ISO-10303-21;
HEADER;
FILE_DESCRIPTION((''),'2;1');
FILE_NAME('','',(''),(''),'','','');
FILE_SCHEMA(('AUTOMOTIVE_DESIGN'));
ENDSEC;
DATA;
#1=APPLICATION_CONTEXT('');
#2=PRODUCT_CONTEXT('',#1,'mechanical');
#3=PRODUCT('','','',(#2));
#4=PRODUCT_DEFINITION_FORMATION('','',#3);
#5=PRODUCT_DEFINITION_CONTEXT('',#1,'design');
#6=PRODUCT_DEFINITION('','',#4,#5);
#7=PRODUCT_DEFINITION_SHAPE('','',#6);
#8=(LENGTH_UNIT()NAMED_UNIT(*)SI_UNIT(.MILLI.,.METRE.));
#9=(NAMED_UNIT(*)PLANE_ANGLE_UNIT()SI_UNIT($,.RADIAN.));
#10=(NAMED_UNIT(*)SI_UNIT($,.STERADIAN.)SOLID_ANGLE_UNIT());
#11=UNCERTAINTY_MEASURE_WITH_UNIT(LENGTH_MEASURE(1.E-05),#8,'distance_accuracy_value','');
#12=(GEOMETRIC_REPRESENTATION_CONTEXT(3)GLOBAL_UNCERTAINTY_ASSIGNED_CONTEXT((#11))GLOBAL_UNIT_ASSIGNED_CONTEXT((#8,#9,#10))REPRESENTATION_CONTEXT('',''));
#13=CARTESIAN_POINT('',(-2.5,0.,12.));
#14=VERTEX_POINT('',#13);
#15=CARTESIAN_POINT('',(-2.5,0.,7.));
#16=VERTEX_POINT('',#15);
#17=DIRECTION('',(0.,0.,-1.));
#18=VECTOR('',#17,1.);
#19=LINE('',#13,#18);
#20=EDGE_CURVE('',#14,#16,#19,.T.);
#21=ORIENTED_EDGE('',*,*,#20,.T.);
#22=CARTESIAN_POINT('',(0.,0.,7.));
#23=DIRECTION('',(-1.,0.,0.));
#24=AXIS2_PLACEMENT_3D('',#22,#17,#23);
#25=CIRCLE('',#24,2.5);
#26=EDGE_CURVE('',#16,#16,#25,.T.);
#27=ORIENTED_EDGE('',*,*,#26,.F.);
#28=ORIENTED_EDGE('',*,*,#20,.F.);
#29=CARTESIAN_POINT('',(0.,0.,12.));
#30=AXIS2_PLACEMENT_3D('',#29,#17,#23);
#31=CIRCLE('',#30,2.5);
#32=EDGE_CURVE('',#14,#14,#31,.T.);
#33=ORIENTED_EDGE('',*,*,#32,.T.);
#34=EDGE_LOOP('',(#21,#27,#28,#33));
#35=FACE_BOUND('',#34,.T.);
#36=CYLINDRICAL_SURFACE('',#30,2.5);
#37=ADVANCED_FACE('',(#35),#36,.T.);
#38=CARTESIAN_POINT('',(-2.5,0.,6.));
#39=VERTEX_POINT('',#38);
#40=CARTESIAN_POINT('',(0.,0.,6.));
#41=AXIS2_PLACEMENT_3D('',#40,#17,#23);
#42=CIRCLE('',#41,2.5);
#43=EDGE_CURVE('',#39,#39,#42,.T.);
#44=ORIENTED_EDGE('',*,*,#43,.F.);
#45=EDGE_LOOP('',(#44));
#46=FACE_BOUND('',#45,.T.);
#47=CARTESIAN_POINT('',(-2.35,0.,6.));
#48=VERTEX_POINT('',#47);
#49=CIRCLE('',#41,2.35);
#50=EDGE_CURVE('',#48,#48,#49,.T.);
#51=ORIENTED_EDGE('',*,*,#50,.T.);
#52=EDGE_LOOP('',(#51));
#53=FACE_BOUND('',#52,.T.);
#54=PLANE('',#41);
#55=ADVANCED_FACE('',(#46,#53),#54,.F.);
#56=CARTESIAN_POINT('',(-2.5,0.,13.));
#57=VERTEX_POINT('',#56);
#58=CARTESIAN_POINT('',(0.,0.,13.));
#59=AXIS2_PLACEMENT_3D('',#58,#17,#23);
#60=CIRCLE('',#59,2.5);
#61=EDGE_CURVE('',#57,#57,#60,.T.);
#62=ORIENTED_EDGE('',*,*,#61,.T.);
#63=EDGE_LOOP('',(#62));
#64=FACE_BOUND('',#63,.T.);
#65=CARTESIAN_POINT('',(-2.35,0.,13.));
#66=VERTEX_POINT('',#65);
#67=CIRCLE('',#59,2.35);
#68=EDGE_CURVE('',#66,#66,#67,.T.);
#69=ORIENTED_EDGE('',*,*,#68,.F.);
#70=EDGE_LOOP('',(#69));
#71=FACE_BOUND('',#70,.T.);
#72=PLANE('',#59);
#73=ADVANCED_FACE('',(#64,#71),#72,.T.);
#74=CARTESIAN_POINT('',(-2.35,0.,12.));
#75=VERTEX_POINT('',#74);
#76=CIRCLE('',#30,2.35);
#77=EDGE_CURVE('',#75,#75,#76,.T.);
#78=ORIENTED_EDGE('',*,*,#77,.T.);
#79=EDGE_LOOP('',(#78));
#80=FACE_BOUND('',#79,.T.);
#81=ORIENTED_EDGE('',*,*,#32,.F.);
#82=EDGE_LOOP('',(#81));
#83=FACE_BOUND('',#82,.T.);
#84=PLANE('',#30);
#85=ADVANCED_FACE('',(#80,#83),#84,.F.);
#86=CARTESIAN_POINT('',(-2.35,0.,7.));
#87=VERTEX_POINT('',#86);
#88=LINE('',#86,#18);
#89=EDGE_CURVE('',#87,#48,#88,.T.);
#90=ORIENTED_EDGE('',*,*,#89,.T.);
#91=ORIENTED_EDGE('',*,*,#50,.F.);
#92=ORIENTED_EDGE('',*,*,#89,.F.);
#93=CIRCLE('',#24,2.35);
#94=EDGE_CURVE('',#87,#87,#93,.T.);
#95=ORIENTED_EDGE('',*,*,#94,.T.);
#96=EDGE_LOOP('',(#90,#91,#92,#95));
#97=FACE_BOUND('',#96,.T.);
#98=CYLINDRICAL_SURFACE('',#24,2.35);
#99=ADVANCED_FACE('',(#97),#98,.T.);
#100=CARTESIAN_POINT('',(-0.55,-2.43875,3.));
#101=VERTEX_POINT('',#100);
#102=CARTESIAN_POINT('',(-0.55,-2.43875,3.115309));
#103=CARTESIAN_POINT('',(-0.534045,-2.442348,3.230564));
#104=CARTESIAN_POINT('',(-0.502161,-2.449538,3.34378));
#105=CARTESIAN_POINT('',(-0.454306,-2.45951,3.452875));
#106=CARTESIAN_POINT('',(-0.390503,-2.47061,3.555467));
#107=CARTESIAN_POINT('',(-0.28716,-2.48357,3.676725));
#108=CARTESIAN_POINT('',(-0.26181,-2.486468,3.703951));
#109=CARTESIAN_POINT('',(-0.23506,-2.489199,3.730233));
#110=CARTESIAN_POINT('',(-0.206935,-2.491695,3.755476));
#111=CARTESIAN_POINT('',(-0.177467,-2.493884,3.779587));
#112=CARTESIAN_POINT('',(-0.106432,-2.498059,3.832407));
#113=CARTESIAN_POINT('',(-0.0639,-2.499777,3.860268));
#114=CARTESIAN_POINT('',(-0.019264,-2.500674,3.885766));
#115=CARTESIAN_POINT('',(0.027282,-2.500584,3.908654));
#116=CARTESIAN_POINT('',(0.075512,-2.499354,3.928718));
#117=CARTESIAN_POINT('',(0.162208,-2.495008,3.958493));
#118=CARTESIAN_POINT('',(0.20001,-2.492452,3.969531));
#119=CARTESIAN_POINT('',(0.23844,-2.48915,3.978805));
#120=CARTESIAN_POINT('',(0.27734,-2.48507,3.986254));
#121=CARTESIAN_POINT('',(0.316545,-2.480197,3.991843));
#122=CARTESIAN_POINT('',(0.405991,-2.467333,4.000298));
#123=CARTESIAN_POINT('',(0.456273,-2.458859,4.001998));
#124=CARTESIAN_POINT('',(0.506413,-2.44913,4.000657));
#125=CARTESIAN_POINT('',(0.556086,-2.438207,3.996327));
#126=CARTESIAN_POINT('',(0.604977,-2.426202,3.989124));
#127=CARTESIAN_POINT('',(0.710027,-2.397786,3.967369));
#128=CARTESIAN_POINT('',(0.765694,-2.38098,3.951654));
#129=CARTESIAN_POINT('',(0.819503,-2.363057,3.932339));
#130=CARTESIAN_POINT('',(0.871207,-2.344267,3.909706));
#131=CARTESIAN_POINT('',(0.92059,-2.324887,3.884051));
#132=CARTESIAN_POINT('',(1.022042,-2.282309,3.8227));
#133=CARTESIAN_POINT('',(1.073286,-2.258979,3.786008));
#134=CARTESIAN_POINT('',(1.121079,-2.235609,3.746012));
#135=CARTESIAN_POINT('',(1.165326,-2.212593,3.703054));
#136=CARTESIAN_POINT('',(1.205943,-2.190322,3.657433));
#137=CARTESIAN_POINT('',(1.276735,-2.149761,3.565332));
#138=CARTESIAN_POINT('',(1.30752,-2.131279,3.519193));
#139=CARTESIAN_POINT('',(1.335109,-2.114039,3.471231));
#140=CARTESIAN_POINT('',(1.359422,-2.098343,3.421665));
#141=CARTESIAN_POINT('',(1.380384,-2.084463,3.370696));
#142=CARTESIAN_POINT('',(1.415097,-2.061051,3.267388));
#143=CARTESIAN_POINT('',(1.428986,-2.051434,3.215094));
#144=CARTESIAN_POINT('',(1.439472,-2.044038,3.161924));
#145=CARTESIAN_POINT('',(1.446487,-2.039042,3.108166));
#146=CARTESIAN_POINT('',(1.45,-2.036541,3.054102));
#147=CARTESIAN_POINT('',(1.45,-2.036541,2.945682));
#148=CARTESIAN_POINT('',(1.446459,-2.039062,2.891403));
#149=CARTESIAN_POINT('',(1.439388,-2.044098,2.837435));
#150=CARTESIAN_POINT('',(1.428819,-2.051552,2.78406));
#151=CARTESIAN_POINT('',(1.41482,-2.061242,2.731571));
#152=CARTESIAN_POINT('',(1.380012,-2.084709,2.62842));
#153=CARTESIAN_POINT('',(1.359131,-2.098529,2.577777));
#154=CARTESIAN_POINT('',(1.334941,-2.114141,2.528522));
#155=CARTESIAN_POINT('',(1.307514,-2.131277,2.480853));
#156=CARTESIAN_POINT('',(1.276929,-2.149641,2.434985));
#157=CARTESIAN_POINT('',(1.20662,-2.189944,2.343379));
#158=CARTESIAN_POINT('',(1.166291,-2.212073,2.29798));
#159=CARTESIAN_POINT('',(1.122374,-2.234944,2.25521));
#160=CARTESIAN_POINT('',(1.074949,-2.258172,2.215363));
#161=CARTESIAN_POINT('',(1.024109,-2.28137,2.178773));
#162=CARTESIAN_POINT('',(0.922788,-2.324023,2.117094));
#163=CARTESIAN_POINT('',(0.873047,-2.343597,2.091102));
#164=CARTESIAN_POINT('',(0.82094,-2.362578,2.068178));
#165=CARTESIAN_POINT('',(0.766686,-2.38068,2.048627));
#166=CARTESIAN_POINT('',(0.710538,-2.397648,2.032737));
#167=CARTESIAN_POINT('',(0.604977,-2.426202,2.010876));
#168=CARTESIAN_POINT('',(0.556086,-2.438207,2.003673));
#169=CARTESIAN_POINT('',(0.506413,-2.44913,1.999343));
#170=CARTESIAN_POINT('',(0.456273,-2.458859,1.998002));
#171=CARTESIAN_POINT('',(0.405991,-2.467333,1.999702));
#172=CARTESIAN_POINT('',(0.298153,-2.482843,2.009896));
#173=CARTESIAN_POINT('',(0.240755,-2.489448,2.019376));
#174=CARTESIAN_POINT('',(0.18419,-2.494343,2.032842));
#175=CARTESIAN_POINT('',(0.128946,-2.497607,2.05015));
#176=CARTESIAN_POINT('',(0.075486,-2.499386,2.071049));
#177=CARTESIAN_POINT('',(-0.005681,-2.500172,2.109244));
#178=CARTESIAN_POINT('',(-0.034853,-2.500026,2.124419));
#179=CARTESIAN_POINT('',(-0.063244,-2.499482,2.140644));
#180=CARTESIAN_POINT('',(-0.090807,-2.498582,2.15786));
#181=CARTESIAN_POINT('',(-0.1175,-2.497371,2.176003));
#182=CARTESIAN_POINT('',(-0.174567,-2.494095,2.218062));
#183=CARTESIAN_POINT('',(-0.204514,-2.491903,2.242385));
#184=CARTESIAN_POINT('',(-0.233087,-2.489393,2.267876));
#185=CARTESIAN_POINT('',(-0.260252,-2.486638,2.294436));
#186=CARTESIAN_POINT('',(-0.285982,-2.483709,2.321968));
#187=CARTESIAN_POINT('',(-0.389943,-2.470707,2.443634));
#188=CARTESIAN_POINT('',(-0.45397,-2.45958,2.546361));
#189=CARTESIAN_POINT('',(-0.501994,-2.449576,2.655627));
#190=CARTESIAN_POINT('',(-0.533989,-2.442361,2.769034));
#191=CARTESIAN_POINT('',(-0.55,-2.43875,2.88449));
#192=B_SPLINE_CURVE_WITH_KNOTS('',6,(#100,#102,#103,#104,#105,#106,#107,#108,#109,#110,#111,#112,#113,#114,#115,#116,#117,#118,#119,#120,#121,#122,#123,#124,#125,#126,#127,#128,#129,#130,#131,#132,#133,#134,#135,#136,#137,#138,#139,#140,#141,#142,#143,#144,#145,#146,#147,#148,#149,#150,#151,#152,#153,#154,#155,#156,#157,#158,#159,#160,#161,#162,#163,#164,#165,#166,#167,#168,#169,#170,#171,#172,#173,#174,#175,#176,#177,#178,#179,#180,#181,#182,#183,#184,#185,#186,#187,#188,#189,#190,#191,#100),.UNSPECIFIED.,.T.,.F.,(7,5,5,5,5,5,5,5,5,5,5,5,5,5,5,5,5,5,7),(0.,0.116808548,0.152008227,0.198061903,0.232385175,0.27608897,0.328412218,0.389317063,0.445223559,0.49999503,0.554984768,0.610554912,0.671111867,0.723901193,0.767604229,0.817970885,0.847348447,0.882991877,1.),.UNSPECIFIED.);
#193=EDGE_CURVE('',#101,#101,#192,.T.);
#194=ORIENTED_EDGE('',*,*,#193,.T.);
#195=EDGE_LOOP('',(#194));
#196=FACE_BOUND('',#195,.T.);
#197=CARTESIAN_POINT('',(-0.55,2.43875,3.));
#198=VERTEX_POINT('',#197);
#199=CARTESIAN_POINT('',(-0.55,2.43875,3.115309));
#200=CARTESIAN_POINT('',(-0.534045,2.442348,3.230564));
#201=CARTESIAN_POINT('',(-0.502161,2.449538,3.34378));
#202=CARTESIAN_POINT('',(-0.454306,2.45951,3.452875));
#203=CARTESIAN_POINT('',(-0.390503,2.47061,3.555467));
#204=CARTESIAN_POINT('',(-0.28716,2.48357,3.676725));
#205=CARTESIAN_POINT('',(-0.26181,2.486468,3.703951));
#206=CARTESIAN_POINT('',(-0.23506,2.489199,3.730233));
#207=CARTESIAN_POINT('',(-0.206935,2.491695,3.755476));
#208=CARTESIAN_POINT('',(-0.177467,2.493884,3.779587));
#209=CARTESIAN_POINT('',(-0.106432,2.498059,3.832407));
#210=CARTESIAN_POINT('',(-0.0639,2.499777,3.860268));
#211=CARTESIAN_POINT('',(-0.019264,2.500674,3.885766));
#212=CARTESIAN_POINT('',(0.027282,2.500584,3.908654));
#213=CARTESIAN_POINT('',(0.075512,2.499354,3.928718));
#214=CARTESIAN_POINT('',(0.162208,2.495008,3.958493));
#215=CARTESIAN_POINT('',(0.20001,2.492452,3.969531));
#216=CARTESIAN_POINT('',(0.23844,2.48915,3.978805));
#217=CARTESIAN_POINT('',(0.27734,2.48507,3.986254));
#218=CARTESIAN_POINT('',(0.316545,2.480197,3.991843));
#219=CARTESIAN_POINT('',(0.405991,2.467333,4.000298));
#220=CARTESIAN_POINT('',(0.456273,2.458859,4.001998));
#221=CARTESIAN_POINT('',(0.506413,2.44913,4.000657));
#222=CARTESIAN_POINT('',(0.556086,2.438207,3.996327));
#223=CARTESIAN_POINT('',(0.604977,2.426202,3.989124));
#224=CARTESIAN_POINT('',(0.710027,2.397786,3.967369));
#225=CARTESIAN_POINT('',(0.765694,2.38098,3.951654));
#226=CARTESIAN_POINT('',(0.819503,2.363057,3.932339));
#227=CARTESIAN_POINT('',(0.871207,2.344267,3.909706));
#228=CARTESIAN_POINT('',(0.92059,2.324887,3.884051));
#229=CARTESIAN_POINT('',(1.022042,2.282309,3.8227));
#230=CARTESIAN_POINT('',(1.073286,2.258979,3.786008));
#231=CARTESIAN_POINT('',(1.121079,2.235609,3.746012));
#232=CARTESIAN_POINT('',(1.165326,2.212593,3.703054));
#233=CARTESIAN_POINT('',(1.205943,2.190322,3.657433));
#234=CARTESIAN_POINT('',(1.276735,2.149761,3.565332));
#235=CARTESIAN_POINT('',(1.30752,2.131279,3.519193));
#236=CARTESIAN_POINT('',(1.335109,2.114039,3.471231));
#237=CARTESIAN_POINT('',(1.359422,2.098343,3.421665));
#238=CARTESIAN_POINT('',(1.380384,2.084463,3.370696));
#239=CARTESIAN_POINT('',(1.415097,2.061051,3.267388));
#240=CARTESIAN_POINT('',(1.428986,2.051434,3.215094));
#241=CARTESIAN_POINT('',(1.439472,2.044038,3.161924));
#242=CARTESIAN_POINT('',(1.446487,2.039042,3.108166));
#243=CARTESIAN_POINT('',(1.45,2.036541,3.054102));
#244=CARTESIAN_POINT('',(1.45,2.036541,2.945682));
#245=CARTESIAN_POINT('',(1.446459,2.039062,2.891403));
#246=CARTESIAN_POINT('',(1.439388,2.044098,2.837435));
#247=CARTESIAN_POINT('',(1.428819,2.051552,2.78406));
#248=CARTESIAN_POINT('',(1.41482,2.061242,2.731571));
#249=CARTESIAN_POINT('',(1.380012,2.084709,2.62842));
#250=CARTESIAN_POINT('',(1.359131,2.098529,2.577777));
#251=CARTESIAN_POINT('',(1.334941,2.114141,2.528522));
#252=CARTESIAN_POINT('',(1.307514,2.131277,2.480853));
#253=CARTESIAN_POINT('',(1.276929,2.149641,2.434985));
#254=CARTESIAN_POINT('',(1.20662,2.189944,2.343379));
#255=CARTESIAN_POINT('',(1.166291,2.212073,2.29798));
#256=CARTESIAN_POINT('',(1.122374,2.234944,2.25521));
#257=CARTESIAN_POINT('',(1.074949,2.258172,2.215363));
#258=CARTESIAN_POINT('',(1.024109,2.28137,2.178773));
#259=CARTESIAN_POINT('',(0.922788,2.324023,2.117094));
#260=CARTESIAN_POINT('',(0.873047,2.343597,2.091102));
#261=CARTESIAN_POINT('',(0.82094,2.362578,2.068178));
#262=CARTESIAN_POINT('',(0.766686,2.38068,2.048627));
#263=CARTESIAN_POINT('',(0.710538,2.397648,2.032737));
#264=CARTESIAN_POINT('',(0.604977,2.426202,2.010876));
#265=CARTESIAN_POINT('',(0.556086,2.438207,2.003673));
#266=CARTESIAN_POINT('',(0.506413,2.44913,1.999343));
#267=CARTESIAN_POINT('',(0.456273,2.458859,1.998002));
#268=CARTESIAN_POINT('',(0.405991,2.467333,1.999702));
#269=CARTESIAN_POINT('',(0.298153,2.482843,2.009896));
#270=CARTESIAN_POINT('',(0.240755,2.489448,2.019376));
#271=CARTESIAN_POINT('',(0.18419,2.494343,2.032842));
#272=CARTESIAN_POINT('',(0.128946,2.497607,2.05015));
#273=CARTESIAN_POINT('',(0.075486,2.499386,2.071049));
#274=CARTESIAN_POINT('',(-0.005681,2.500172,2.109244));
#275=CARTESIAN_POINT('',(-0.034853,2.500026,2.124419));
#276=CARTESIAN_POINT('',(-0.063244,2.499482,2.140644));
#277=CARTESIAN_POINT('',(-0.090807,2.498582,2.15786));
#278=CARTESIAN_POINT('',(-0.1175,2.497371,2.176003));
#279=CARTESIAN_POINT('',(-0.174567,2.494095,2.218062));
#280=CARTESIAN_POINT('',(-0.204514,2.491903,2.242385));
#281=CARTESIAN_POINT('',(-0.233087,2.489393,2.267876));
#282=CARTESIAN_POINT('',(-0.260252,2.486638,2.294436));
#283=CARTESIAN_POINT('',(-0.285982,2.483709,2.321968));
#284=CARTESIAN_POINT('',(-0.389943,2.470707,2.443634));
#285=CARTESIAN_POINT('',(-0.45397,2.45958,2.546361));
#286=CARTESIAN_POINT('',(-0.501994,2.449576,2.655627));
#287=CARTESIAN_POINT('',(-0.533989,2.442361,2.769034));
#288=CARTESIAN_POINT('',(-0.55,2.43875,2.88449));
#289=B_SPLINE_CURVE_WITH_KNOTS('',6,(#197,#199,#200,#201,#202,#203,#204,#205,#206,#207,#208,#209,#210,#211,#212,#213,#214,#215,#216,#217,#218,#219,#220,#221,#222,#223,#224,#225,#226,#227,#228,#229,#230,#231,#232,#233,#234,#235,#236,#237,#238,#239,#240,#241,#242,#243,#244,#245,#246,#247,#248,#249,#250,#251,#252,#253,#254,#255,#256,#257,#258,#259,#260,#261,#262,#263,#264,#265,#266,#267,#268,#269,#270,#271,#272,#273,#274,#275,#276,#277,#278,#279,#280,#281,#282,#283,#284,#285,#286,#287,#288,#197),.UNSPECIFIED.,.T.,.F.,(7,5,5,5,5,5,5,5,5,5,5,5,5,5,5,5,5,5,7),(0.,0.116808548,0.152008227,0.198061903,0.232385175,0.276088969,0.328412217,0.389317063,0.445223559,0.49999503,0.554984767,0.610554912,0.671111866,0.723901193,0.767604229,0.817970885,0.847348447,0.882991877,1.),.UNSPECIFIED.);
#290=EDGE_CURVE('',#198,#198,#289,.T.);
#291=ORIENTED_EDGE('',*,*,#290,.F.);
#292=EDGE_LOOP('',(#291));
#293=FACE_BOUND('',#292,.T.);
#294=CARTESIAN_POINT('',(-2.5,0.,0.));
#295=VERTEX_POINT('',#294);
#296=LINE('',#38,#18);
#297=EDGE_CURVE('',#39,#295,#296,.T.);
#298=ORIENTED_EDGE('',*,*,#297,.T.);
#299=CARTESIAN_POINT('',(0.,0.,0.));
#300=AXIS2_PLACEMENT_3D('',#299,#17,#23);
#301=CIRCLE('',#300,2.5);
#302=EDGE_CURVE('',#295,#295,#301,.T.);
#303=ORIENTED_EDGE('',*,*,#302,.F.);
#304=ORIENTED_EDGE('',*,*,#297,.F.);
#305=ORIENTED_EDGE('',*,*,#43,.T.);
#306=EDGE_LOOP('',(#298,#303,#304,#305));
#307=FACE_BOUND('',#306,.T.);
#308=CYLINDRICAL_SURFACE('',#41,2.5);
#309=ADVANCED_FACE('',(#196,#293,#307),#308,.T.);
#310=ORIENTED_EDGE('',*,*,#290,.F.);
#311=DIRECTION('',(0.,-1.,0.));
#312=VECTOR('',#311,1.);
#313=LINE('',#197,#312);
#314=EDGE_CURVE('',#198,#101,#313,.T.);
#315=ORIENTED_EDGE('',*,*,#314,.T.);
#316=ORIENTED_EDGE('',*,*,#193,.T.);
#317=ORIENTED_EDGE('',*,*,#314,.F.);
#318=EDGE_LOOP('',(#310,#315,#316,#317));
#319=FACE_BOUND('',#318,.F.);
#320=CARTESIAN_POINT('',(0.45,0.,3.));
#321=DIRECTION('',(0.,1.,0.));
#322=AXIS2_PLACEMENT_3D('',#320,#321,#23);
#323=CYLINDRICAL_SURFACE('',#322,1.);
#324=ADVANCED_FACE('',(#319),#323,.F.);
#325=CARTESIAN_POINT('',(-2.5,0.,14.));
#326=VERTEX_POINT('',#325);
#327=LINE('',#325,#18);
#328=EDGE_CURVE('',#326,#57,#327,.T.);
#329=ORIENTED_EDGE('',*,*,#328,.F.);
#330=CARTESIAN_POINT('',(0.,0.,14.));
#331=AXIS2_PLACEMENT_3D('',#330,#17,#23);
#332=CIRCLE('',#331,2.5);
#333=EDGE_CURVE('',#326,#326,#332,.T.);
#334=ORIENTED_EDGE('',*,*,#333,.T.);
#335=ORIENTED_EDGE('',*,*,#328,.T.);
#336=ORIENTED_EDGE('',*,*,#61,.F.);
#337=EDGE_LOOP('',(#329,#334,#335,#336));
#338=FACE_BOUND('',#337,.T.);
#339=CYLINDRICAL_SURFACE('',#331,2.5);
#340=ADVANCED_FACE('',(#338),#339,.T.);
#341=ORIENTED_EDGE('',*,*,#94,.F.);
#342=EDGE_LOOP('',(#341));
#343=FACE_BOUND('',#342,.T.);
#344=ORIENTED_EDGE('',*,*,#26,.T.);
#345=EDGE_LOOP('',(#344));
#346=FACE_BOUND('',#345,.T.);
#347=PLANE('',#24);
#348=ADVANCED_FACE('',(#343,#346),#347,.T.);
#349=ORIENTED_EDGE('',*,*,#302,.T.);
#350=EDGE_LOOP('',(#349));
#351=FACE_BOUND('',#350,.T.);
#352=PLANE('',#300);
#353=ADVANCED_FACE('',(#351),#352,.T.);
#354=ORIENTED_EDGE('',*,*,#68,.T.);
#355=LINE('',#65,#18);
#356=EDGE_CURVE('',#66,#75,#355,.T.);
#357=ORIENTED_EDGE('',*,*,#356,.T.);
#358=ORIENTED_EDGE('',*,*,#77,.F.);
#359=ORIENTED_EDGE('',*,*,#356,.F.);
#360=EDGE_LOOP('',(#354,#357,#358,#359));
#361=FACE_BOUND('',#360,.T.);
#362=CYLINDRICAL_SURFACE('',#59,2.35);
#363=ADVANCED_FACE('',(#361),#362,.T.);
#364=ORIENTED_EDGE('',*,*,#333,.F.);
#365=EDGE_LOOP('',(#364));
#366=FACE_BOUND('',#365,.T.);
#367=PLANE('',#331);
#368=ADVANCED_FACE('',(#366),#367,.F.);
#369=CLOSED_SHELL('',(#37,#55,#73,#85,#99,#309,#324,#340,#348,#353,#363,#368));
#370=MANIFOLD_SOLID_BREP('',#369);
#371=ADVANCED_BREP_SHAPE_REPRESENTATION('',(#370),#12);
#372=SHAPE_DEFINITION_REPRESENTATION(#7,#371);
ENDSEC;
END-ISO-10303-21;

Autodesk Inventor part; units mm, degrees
ref_plane "YZ Plane" through (0, 0, 0) normal (1, 0, 0) x (0, 1, 0)
ref_plane "XZ Plane" through (0, 0, 0) normal (0, 1, 0) x (-1, 0, 0)
ref_plane "XY Plane" through (0, 0, 0) normal (0, 0, 1) x (1, 0, 0)
sketch "Sketch2" plane through (0, 0, 0) normal (0, 1, 0) x (-1, 0, 0)
  line L0 (0, 14) -> (2.5, 14)
  line L1 (2.5, 14) -> (2.5, 13)
  line L2 (2.5, 13) -> (2.35, 13)
  line L3 (2.35, 13) -> (2.35, 12)
  line L4 (2.35, 12) -> (2.5, 12)
  line L5 (2.5, 12) -> (2.5, 7)
  line L6 (2.5, 7) -> (2.35, 7)
  line L7 (2.35, 7) -> (2.35, 6)
  line L8 (2.35, 6) -> (2.5, 6)
  line L9 (2.5, 6) -> (2.5, 0)
  line L10 (2.5, 0) -> (0, 0)
  line L11 (0, 14) -> (0, 0)
  dimension "d3" = 2.5
  dimension "d6" = 1
  dimension "d7" = 0.15
  dimension "d8" = 1
  dimension "d9" = 0.15
  dimension "d10" = 5
  dimension "d11" = 0.15
  dimension "d12" = 1
  dimension "d13" = 0.15
  dimension "d15" = 2.5
  dimension "d21" = 14
revolve "Revolution1" add sketch "Sketch2" angle 360 about axis through (0, 0, 14) along (0, 0, -1)
sketch "Sketch3" plane through (0, 0, 0) normal (0, 1, 0) x (-1, 0, 0)
  circle A0 centre (-0.45, 3) radius 1
  line L0 (-2.5, 0) -> (2.5, 0) projected
  point P0 (0, 0)
  dimension "d17" = 2
  dimension "d18" = 3
extrude "Extrusion2" cut sketch "Sketch3" along normal through all both and the other way through all
properties part number "waleczek_do_sprezyn_fi6"
